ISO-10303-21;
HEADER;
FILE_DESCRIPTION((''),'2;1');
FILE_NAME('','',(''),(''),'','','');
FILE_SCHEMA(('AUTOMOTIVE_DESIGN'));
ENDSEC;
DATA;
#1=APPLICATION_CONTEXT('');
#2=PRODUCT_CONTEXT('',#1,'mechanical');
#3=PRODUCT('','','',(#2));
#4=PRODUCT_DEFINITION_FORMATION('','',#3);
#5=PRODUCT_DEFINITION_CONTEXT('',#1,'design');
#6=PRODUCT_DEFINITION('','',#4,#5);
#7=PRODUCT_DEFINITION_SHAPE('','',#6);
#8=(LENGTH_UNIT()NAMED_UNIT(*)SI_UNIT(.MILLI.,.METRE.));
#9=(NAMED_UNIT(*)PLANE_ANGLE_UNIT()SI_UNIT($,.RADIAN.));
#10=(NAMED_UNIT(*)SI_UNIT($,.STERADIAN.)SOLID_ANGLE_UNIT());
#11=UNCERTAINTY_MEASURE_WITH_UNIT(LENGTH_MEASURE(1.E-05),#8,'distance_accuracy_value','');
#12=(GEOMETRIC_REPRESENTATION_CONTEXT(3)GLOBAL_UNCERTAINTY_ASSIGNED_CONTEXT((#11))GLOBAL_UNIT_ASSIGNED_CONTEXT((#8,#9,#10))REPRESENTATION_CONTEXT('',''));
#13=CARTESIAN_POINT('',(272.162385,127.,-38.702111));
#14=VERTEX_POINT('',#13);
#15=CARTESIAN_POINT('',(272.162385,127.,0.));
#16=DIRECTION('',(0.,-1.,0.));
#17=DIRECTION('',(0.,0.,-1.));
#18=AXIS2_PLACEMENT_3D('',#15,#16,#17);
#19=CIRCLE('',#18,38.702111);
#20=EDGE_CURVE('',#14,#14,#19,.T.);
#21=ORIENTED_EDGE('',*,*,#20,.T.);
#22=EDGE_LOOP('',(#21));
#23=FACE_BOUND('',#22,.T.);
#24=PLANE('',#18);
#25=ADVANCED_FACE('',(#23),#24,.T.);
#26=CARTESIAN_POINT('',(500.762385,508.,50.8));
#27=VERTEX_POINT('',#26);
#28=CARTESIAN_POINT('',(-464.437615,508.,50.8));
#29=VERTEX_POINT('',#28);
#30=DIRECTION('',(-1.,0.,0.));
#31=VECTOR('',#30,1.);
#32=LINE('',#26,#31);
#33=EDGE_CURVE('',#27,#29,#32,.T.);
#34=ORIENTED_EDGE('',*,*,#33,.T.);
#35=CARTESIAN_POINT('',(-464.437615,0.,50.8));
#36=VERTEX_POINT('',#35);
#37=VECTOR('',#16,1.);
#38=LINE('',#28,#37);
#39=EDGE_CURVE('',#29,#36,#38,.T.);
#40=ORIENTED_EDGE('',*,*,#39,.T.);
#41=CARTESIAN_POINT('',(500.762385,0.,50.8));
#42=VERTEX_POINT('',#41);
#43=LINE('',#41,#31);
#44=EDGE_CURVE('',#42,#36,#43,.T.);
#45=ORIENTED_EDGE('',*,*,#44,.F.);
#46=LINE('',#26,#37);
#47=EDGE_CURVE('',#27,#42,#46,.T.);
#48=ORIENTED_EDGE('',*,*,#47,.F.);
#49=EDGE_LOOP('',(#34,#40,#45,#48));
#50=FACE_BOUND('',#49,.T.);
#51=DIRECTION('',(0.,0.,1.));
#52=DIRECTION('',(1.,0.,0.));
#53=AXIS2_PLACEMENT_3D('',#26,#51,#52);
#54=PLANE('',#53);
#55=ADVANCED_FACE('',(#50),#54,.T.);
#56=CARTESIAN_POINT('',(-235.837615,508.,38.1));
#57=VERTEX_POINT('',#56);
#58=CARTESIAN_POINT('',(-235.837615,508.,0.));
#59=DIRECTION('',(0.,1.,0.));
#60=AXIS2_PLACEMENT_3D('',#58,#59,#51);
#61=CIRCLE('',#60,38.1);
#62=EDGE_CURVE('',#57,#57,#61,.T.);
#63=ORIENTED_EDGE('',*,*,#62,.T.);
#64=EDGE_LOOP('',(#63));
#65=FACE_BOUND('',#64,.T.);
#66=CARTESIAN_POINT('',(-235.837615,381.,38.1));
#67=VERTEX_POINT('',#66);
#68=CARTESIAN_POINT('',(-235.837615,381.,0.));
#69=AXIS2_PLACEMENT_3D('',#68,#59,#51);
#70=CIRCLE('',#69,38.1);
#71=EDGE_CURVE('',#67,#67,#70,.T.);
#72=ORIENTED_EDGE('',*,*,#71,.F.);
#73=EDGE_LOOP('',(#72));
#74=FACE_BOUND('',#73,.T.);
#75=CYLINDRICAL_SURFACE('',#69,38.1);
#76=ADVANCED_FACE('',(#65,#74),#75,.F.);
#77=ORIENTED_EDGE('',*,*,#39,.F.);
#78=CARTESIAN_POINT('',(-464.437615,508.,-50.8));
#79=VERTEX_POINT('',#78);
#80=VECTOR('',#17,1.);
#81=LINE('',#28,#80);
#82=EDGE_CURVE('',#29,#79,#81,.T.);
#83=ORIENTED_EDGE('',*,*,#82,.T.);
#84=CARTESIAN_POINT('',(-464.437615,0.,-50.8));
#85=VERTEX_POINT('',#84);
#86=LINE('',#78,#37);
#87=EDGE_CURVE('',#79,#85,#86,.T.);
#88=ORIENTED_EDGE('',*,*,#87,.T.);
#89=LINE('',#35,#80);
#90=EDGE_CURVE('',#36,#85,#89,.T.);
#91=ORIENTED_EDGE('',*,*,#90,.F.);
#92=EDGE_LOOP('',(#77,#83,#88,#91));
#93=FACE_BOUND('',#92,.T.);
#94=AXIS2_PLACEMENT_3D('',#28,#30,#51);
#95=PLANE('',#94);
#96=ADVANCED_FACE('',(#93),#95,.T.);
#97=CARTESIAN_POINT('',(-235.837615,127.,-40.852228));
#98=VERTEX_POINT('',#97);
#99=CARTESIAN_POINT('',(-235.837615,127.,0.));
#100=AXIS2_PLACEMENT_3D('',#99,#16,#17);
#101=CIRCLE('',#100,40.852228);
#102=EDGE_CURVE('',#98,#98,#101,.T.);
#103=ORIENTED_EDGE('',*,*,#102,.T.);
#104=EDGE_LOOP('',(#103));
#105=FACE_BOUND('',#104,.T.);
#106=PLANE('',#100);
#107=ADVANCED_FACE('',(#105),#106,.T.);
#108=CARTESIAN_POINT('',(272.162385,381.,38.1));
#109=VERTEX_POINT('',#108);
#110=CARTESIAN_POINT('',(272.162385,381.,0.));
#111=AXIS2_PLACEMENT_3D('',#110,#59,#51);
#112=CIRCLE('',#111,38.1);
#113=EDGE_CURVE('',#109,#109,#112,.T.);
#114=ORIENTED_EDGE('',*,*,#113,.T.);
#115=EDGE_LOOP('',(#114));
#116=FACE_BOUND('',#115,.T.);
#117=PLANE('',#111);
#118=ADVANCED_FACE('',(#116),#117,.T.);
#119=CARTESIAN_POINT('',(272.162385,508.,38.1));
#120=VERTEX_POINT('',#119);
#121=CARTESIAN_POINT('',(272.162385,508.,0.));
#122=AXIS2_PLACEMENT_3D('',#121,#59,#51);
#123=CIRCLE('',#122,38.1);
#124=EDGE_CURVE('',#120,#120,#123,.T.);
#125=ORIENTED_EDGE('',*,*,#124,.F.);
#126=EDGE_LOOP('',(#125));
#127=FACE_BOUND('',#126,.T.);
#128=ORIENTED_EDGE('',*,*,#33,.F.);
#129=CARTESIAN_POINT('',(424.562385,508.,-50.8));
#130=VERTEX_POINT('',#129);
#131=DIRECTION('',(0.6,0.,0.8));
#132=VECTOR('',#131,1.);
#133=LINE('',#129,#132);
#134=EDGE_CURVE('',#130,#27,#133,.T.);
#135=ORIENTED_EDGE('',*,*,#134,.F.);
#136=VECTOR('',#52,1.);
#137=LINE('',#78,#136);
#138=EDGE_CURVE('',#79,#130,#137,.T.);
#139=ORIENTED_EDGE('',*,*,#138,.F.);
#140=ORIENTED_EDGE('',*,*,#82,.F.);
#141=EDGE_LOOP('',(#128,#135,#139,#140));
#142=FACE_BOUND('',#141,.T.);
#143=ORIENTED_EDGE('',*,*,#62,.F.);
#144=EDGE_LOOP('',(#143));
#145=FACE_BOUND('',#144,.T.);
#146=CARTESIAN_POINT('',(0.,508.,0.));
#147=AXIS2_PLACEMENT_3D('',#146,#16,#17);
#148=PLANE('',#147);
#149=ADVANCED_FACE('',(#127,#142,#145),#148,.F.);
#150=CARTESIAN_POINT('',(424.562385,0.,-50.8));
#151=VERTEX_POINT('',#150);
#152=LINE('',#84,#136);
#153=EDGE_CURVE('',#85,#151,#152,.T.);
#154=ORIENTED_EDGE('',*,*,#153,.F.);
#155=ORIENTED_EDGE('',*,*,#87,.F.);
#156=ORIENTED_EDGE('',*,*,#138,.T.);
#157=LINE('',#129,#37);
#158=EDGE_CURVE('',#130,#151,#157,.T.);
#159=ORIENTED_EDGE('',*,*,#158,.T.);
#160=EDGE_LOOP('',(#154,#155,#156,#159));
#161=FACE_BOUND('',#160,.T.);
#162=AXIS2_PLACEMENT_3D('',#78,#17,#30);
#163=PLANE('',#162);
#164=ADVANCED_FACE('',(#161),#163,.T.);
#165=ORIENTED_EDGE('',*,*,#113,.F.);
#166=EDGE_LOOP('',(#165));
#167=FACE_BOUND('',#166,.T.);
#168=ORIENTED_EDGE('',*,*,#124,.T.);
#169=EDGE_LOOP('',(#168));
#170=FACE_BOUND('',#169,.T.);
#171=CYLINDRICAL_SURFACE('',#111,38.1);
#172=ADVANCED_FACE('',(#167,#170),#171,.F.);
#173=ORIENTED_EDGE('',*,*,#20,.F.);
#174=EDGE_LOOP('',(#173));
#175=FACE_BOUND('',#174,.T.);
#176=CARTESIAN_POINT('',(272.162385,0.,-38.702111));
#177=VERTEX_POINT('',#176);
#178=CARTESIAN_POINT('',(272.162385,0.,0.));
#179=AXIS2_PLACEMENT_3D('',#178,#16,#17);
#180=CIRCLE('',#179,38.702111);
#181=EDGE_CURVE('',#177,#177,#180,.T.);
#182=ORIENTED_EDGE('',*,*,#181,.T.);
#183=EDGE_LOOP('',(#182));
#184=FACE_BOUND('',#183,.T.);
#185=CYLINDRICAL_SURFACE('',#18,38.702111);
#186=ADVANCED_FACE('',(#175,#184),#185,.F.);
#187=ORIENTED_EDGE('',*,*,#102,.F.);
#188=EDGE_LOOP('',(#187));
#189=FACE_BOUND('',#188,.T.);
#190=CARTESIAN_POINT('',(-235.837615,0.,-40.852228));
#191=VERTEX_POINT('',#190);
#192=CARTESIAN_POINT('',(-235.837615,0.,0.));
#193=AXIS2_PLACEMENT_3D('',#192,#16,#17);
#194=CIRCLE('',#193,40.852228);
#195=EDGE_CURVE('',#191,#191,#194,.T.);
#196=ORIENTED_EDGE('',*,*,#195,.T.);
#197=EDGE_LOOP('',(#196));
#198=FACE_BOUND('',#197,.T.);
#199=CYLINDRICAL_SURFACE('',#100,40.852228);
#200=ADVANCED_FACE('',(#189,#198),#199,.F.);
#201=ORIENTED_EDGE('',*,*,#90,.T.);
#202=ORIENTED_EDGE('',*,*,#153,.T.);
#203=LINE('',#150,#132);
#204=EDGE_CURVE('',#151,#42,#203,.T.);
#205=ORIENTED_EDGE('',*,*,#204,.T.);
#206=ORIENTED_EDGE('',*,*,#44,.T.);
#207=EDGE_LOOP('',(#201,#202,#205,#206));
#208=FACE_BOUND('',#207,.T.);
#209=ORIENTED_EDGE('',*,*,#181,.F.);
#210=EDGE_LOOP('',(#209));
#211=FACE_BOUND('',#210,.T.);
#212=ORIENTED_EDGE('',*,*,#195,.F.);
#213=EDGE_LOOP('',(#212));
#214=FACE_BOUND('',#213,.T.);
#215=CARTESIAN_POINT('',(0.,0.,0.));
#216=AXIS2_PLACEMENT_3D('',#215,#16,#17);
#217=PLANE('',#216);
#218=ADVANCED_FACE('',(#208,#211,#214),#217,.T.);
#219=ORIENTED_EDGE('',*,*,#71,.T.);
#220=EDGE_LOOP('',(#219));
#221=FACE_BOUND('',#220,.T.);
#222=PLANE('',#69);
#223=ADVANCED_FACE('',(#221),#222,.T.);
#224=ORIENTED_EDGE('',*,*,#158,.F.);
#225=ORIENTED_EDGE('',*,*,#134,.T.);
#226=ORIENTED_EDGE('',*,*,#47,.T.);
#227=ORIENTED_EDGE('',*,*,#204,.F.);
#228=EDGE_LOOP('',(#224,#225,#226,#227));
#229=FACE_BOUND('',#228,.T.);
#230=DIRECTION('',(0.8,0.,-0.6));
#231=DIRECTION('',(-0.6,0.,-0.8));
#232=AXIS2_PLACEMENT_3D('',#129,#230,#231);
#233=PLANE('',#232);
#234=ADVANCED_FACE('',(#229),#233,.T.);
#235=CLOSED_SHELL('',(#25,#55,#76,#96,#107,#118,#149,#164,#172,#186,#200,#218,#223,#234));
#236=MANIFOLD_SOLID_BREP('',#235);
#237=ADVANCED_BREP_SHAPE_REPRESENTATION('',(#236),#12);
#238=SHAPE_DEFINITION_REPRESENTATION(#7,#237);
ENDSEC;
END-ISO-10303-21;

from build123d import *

# Parameters (mm, degrees)
BOSS_EXTRUDE2_DEPTH = 508
SKETCH5_R           = 38.1
CUT_EXTRUDE1_DEPTH  = 127
SKETCH7_R           = 40.852227979
SKETCH7_R_2         = 38.702110717
CUT_EXTRUDE2_DEPTH  = 127


with BuildPart() as part:
    # Sketch1 → Boss-Extrude2 (new body)
    with BuildSketch(Plane(origin=(0, 0, 0), x_dir=(1, 0, 0), z_dir=(0, 1, 0))):
        Polygon((-464.437614836, 50.8), (424.562385164, 50.8), (500.762385164, -50.8), (-464.437614836, -50.8), align=None)
    extrude(amount=BOSS_EXTRUDE2_DEPTH)

    # Sketch5 → Cut-Extrude1 (cut)
    with BuildSketch(Plane(origin=(0, 508, 0), x_dir=(1, 0, 0), z_dir=(0, 1, 0))):
        with Locations(Location((-235.837614836, 0, 0), (0, 0, 270))):
            Circle(SKETCH5_R)
        with Locations(Location((272.162385164, 0, 0), (0, 0, 270))):
            Circle(SKETCH5_R)
    extrude(amount=-CUT_EXTRUDE1_DEPTH, mode=Mode.SUBTRACT)

    # Sketch7 → Cut-Extrude2 (cut)
    with BuildSketch(Plane.XZ):
        with Locations(Location((-235.837614836, 0, 0), (0, 0, 270))):
            Circle(SKETCH7_R)
        with Locations(Location((272.162385164, 0, 0), (0, 0, 270))):
            Circle(SKETCH7_R_2)
    extrude(amount=-CUT_EXTRUDE2_DEPTH, mode=Mode.SUBTRACT)


solid = part.part
